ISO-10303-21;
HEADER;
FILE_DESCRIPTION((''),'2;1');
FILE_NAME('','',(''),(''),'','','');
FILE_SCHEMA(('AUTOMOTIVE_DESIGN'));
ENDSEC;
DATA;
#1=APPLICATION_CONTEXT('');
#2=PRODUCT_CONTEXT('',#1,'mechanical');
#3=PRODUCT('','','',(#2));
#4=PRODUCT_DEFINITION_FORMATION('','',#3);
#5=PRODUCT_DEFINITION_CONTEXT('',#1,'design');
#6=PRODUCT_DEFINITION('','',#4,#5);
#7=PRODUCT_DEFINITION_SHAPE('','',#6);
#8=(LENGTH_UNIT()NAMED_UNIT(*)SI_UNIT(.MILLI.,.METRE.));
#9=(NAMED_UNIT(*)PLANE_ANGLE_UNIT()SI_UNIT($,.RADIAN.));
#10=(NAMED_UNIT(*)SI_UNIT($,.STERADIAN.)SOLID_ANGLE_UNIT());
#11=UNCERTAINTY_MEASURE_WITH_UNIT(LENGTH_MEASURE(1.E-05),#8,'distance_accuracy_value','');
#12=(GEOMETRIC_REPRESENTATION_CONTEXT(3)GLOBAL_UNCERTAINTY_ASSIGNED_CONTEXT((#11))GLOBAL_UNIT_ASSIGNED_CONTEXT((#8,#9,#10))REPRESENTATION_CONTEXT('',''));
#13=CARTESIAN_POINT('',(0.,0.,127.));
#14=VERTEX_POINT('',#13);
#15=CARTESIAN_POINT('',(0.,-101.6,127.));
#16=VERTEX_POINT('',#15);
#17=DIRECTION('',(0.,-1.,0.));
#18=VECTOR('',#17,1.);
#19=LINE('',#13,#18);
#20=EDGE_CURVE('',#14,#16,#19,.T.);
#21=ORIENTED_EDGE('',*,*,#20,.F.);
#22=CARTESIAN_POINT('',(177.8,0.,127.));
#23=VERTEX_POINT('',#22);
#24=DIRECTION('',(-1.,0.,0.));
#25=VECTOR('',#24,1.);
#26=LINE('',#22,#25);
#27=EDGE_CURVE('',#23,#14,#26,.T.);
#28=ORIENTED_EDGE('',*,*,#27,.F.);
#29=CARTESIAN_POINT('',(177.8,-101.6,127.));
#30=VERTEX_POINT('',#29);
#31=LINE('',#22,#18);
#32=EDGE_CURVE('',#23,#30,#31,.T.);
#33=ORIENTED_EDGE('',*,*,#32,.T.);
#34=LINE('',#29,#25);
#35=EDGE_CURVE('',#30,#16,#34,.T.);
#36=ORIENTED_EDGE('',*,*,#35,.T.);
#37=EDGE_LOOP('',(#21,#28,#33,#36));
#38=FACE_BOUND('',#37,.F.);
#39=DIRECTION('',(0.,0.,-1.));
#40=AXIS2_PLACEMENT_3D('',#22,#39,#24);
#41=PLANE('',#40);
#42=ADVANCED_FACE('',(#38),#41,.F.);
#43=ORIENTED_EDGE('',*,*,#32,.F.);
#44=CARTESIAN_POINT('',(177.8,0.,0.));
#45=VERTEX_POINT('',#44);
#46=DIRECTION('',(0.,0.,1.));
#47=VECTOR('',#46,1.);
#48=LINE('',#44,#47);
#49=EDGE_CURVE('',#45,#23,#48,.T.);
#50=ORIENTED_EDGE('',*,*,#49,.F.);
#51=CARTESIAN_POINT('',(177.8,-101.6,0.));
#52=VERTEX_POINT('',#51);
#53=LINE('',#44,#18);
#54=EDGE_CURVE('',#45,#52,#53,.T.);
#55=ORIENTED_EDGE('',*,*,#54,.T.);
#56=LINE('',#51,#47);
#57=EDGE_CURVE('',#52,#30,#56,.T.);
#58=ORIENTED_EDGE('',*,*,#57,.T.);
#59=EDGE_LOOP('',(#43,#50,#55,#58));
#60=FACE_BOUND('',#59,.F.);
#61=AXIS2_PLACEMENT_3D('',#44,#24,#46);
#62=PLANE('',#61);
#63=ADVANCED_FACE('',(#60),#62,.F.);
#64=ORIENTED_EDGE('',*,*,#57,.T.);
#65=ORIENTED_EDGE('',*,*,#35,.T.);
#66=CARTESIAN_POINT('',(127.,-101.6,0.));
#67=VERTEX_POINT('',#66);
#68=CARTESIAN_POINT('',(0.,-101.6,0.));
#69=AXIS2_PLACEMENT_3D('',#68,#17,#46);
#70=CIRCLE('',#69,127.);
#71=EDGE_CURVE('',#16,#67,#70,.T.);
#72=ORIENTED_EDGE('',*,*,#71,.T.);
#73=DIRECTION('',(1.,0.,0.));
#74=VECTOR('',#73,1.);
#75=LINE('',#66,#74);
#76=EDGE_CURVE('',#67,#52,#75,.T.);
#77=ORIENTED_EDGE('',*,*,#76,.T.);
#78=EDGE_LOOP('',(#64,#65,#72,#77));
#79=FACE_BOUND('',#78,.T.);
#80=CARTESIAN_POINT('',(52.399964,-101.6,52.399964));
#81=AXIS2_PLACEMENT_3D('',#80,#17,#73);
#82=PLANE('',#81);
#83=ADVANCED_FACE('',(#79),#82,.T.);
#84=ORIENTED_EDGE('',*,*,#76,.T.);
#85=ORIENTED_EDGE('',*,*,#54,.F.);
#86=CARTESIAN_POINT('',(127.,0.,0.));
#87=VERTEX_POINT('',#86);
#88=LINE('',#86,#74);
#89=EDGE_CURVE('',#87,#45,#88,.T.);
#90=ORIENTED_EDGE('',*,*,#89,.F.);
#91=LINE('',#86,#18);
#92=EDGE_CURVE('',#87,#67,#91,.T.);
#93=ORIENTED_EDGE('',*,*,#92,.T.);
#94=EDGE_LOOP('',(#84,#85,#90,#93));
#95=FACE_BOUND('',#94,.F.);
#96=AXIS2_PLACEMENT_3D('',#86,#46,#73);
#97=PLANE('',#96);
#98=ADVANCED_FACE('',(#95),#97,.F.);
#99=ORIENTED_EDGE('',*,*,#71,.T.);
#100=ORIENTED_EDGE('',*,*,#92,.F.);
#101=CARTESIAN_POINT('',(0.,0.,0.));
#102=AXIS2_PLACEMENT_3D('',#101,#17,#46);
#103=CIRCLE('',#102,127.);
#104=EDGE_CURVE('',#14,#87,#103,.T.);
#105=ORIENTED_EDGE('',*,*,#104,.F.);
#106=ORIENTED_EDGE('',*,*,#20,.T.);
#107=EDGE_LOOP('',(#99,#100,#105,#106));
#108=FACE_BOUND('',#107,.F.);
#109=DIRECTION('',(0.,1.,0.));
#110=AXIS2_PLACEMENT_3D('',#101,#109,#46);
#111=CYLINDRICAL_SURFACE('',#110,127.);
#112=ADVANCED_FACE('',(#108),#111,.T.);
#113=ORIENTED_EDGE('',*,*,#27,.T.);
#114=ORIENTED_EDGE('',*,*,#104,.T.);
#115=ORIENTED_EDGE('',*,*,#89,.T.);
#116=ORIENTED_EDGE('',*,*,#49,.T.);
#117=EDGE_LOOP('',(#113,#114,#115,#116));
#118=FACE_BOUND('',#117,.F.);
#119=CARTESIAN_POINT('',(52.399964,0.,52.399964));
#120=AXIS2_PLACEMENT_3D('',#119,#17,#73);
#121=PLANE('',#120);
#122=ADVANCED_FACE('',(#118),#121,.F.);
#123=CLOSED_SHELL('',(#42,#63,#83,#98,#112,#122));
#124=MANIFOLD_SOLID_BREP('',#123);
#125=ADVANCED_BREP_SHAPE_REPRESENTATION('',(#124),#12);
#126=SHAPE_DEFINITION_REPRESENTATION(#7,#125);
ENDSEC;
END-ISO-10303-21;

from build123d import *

# Parameters (mm, degrees)
F1_DEPTH = 101.6


with BuildPart() as f1:
    # F0 (on Front) → F1 (new body)
    with BuildSketch(Plane.XZ):
        with BuildLine():
            Line((0, 0), (127, 0))
            ThreePointArc((127, 0), (89.8025612107, 89.8025612107), (0, 127))
            Line((0, 127), (0, 0))
        make_face()
        with BuildLine():
            ThreePointArc((0, 127), (-89.8025612107, -89.8025612107), (127, 0))
            Line((127, 0), (0, 0))
            Line((0, 0), (0, 127))
        make_face()
        with BuildLine():
            ThreePointArc((0, 127), (89.8025612107, 89.8025612107), (127, 0))
            Line((127, 0), (177.8, 0))
            Line((177.8, 0), (177.8, 127))
            Line((177.8, 127), (0, 127))
        make_face()
    extrude(amount=F1_DEPTH)


solid = f1.part
